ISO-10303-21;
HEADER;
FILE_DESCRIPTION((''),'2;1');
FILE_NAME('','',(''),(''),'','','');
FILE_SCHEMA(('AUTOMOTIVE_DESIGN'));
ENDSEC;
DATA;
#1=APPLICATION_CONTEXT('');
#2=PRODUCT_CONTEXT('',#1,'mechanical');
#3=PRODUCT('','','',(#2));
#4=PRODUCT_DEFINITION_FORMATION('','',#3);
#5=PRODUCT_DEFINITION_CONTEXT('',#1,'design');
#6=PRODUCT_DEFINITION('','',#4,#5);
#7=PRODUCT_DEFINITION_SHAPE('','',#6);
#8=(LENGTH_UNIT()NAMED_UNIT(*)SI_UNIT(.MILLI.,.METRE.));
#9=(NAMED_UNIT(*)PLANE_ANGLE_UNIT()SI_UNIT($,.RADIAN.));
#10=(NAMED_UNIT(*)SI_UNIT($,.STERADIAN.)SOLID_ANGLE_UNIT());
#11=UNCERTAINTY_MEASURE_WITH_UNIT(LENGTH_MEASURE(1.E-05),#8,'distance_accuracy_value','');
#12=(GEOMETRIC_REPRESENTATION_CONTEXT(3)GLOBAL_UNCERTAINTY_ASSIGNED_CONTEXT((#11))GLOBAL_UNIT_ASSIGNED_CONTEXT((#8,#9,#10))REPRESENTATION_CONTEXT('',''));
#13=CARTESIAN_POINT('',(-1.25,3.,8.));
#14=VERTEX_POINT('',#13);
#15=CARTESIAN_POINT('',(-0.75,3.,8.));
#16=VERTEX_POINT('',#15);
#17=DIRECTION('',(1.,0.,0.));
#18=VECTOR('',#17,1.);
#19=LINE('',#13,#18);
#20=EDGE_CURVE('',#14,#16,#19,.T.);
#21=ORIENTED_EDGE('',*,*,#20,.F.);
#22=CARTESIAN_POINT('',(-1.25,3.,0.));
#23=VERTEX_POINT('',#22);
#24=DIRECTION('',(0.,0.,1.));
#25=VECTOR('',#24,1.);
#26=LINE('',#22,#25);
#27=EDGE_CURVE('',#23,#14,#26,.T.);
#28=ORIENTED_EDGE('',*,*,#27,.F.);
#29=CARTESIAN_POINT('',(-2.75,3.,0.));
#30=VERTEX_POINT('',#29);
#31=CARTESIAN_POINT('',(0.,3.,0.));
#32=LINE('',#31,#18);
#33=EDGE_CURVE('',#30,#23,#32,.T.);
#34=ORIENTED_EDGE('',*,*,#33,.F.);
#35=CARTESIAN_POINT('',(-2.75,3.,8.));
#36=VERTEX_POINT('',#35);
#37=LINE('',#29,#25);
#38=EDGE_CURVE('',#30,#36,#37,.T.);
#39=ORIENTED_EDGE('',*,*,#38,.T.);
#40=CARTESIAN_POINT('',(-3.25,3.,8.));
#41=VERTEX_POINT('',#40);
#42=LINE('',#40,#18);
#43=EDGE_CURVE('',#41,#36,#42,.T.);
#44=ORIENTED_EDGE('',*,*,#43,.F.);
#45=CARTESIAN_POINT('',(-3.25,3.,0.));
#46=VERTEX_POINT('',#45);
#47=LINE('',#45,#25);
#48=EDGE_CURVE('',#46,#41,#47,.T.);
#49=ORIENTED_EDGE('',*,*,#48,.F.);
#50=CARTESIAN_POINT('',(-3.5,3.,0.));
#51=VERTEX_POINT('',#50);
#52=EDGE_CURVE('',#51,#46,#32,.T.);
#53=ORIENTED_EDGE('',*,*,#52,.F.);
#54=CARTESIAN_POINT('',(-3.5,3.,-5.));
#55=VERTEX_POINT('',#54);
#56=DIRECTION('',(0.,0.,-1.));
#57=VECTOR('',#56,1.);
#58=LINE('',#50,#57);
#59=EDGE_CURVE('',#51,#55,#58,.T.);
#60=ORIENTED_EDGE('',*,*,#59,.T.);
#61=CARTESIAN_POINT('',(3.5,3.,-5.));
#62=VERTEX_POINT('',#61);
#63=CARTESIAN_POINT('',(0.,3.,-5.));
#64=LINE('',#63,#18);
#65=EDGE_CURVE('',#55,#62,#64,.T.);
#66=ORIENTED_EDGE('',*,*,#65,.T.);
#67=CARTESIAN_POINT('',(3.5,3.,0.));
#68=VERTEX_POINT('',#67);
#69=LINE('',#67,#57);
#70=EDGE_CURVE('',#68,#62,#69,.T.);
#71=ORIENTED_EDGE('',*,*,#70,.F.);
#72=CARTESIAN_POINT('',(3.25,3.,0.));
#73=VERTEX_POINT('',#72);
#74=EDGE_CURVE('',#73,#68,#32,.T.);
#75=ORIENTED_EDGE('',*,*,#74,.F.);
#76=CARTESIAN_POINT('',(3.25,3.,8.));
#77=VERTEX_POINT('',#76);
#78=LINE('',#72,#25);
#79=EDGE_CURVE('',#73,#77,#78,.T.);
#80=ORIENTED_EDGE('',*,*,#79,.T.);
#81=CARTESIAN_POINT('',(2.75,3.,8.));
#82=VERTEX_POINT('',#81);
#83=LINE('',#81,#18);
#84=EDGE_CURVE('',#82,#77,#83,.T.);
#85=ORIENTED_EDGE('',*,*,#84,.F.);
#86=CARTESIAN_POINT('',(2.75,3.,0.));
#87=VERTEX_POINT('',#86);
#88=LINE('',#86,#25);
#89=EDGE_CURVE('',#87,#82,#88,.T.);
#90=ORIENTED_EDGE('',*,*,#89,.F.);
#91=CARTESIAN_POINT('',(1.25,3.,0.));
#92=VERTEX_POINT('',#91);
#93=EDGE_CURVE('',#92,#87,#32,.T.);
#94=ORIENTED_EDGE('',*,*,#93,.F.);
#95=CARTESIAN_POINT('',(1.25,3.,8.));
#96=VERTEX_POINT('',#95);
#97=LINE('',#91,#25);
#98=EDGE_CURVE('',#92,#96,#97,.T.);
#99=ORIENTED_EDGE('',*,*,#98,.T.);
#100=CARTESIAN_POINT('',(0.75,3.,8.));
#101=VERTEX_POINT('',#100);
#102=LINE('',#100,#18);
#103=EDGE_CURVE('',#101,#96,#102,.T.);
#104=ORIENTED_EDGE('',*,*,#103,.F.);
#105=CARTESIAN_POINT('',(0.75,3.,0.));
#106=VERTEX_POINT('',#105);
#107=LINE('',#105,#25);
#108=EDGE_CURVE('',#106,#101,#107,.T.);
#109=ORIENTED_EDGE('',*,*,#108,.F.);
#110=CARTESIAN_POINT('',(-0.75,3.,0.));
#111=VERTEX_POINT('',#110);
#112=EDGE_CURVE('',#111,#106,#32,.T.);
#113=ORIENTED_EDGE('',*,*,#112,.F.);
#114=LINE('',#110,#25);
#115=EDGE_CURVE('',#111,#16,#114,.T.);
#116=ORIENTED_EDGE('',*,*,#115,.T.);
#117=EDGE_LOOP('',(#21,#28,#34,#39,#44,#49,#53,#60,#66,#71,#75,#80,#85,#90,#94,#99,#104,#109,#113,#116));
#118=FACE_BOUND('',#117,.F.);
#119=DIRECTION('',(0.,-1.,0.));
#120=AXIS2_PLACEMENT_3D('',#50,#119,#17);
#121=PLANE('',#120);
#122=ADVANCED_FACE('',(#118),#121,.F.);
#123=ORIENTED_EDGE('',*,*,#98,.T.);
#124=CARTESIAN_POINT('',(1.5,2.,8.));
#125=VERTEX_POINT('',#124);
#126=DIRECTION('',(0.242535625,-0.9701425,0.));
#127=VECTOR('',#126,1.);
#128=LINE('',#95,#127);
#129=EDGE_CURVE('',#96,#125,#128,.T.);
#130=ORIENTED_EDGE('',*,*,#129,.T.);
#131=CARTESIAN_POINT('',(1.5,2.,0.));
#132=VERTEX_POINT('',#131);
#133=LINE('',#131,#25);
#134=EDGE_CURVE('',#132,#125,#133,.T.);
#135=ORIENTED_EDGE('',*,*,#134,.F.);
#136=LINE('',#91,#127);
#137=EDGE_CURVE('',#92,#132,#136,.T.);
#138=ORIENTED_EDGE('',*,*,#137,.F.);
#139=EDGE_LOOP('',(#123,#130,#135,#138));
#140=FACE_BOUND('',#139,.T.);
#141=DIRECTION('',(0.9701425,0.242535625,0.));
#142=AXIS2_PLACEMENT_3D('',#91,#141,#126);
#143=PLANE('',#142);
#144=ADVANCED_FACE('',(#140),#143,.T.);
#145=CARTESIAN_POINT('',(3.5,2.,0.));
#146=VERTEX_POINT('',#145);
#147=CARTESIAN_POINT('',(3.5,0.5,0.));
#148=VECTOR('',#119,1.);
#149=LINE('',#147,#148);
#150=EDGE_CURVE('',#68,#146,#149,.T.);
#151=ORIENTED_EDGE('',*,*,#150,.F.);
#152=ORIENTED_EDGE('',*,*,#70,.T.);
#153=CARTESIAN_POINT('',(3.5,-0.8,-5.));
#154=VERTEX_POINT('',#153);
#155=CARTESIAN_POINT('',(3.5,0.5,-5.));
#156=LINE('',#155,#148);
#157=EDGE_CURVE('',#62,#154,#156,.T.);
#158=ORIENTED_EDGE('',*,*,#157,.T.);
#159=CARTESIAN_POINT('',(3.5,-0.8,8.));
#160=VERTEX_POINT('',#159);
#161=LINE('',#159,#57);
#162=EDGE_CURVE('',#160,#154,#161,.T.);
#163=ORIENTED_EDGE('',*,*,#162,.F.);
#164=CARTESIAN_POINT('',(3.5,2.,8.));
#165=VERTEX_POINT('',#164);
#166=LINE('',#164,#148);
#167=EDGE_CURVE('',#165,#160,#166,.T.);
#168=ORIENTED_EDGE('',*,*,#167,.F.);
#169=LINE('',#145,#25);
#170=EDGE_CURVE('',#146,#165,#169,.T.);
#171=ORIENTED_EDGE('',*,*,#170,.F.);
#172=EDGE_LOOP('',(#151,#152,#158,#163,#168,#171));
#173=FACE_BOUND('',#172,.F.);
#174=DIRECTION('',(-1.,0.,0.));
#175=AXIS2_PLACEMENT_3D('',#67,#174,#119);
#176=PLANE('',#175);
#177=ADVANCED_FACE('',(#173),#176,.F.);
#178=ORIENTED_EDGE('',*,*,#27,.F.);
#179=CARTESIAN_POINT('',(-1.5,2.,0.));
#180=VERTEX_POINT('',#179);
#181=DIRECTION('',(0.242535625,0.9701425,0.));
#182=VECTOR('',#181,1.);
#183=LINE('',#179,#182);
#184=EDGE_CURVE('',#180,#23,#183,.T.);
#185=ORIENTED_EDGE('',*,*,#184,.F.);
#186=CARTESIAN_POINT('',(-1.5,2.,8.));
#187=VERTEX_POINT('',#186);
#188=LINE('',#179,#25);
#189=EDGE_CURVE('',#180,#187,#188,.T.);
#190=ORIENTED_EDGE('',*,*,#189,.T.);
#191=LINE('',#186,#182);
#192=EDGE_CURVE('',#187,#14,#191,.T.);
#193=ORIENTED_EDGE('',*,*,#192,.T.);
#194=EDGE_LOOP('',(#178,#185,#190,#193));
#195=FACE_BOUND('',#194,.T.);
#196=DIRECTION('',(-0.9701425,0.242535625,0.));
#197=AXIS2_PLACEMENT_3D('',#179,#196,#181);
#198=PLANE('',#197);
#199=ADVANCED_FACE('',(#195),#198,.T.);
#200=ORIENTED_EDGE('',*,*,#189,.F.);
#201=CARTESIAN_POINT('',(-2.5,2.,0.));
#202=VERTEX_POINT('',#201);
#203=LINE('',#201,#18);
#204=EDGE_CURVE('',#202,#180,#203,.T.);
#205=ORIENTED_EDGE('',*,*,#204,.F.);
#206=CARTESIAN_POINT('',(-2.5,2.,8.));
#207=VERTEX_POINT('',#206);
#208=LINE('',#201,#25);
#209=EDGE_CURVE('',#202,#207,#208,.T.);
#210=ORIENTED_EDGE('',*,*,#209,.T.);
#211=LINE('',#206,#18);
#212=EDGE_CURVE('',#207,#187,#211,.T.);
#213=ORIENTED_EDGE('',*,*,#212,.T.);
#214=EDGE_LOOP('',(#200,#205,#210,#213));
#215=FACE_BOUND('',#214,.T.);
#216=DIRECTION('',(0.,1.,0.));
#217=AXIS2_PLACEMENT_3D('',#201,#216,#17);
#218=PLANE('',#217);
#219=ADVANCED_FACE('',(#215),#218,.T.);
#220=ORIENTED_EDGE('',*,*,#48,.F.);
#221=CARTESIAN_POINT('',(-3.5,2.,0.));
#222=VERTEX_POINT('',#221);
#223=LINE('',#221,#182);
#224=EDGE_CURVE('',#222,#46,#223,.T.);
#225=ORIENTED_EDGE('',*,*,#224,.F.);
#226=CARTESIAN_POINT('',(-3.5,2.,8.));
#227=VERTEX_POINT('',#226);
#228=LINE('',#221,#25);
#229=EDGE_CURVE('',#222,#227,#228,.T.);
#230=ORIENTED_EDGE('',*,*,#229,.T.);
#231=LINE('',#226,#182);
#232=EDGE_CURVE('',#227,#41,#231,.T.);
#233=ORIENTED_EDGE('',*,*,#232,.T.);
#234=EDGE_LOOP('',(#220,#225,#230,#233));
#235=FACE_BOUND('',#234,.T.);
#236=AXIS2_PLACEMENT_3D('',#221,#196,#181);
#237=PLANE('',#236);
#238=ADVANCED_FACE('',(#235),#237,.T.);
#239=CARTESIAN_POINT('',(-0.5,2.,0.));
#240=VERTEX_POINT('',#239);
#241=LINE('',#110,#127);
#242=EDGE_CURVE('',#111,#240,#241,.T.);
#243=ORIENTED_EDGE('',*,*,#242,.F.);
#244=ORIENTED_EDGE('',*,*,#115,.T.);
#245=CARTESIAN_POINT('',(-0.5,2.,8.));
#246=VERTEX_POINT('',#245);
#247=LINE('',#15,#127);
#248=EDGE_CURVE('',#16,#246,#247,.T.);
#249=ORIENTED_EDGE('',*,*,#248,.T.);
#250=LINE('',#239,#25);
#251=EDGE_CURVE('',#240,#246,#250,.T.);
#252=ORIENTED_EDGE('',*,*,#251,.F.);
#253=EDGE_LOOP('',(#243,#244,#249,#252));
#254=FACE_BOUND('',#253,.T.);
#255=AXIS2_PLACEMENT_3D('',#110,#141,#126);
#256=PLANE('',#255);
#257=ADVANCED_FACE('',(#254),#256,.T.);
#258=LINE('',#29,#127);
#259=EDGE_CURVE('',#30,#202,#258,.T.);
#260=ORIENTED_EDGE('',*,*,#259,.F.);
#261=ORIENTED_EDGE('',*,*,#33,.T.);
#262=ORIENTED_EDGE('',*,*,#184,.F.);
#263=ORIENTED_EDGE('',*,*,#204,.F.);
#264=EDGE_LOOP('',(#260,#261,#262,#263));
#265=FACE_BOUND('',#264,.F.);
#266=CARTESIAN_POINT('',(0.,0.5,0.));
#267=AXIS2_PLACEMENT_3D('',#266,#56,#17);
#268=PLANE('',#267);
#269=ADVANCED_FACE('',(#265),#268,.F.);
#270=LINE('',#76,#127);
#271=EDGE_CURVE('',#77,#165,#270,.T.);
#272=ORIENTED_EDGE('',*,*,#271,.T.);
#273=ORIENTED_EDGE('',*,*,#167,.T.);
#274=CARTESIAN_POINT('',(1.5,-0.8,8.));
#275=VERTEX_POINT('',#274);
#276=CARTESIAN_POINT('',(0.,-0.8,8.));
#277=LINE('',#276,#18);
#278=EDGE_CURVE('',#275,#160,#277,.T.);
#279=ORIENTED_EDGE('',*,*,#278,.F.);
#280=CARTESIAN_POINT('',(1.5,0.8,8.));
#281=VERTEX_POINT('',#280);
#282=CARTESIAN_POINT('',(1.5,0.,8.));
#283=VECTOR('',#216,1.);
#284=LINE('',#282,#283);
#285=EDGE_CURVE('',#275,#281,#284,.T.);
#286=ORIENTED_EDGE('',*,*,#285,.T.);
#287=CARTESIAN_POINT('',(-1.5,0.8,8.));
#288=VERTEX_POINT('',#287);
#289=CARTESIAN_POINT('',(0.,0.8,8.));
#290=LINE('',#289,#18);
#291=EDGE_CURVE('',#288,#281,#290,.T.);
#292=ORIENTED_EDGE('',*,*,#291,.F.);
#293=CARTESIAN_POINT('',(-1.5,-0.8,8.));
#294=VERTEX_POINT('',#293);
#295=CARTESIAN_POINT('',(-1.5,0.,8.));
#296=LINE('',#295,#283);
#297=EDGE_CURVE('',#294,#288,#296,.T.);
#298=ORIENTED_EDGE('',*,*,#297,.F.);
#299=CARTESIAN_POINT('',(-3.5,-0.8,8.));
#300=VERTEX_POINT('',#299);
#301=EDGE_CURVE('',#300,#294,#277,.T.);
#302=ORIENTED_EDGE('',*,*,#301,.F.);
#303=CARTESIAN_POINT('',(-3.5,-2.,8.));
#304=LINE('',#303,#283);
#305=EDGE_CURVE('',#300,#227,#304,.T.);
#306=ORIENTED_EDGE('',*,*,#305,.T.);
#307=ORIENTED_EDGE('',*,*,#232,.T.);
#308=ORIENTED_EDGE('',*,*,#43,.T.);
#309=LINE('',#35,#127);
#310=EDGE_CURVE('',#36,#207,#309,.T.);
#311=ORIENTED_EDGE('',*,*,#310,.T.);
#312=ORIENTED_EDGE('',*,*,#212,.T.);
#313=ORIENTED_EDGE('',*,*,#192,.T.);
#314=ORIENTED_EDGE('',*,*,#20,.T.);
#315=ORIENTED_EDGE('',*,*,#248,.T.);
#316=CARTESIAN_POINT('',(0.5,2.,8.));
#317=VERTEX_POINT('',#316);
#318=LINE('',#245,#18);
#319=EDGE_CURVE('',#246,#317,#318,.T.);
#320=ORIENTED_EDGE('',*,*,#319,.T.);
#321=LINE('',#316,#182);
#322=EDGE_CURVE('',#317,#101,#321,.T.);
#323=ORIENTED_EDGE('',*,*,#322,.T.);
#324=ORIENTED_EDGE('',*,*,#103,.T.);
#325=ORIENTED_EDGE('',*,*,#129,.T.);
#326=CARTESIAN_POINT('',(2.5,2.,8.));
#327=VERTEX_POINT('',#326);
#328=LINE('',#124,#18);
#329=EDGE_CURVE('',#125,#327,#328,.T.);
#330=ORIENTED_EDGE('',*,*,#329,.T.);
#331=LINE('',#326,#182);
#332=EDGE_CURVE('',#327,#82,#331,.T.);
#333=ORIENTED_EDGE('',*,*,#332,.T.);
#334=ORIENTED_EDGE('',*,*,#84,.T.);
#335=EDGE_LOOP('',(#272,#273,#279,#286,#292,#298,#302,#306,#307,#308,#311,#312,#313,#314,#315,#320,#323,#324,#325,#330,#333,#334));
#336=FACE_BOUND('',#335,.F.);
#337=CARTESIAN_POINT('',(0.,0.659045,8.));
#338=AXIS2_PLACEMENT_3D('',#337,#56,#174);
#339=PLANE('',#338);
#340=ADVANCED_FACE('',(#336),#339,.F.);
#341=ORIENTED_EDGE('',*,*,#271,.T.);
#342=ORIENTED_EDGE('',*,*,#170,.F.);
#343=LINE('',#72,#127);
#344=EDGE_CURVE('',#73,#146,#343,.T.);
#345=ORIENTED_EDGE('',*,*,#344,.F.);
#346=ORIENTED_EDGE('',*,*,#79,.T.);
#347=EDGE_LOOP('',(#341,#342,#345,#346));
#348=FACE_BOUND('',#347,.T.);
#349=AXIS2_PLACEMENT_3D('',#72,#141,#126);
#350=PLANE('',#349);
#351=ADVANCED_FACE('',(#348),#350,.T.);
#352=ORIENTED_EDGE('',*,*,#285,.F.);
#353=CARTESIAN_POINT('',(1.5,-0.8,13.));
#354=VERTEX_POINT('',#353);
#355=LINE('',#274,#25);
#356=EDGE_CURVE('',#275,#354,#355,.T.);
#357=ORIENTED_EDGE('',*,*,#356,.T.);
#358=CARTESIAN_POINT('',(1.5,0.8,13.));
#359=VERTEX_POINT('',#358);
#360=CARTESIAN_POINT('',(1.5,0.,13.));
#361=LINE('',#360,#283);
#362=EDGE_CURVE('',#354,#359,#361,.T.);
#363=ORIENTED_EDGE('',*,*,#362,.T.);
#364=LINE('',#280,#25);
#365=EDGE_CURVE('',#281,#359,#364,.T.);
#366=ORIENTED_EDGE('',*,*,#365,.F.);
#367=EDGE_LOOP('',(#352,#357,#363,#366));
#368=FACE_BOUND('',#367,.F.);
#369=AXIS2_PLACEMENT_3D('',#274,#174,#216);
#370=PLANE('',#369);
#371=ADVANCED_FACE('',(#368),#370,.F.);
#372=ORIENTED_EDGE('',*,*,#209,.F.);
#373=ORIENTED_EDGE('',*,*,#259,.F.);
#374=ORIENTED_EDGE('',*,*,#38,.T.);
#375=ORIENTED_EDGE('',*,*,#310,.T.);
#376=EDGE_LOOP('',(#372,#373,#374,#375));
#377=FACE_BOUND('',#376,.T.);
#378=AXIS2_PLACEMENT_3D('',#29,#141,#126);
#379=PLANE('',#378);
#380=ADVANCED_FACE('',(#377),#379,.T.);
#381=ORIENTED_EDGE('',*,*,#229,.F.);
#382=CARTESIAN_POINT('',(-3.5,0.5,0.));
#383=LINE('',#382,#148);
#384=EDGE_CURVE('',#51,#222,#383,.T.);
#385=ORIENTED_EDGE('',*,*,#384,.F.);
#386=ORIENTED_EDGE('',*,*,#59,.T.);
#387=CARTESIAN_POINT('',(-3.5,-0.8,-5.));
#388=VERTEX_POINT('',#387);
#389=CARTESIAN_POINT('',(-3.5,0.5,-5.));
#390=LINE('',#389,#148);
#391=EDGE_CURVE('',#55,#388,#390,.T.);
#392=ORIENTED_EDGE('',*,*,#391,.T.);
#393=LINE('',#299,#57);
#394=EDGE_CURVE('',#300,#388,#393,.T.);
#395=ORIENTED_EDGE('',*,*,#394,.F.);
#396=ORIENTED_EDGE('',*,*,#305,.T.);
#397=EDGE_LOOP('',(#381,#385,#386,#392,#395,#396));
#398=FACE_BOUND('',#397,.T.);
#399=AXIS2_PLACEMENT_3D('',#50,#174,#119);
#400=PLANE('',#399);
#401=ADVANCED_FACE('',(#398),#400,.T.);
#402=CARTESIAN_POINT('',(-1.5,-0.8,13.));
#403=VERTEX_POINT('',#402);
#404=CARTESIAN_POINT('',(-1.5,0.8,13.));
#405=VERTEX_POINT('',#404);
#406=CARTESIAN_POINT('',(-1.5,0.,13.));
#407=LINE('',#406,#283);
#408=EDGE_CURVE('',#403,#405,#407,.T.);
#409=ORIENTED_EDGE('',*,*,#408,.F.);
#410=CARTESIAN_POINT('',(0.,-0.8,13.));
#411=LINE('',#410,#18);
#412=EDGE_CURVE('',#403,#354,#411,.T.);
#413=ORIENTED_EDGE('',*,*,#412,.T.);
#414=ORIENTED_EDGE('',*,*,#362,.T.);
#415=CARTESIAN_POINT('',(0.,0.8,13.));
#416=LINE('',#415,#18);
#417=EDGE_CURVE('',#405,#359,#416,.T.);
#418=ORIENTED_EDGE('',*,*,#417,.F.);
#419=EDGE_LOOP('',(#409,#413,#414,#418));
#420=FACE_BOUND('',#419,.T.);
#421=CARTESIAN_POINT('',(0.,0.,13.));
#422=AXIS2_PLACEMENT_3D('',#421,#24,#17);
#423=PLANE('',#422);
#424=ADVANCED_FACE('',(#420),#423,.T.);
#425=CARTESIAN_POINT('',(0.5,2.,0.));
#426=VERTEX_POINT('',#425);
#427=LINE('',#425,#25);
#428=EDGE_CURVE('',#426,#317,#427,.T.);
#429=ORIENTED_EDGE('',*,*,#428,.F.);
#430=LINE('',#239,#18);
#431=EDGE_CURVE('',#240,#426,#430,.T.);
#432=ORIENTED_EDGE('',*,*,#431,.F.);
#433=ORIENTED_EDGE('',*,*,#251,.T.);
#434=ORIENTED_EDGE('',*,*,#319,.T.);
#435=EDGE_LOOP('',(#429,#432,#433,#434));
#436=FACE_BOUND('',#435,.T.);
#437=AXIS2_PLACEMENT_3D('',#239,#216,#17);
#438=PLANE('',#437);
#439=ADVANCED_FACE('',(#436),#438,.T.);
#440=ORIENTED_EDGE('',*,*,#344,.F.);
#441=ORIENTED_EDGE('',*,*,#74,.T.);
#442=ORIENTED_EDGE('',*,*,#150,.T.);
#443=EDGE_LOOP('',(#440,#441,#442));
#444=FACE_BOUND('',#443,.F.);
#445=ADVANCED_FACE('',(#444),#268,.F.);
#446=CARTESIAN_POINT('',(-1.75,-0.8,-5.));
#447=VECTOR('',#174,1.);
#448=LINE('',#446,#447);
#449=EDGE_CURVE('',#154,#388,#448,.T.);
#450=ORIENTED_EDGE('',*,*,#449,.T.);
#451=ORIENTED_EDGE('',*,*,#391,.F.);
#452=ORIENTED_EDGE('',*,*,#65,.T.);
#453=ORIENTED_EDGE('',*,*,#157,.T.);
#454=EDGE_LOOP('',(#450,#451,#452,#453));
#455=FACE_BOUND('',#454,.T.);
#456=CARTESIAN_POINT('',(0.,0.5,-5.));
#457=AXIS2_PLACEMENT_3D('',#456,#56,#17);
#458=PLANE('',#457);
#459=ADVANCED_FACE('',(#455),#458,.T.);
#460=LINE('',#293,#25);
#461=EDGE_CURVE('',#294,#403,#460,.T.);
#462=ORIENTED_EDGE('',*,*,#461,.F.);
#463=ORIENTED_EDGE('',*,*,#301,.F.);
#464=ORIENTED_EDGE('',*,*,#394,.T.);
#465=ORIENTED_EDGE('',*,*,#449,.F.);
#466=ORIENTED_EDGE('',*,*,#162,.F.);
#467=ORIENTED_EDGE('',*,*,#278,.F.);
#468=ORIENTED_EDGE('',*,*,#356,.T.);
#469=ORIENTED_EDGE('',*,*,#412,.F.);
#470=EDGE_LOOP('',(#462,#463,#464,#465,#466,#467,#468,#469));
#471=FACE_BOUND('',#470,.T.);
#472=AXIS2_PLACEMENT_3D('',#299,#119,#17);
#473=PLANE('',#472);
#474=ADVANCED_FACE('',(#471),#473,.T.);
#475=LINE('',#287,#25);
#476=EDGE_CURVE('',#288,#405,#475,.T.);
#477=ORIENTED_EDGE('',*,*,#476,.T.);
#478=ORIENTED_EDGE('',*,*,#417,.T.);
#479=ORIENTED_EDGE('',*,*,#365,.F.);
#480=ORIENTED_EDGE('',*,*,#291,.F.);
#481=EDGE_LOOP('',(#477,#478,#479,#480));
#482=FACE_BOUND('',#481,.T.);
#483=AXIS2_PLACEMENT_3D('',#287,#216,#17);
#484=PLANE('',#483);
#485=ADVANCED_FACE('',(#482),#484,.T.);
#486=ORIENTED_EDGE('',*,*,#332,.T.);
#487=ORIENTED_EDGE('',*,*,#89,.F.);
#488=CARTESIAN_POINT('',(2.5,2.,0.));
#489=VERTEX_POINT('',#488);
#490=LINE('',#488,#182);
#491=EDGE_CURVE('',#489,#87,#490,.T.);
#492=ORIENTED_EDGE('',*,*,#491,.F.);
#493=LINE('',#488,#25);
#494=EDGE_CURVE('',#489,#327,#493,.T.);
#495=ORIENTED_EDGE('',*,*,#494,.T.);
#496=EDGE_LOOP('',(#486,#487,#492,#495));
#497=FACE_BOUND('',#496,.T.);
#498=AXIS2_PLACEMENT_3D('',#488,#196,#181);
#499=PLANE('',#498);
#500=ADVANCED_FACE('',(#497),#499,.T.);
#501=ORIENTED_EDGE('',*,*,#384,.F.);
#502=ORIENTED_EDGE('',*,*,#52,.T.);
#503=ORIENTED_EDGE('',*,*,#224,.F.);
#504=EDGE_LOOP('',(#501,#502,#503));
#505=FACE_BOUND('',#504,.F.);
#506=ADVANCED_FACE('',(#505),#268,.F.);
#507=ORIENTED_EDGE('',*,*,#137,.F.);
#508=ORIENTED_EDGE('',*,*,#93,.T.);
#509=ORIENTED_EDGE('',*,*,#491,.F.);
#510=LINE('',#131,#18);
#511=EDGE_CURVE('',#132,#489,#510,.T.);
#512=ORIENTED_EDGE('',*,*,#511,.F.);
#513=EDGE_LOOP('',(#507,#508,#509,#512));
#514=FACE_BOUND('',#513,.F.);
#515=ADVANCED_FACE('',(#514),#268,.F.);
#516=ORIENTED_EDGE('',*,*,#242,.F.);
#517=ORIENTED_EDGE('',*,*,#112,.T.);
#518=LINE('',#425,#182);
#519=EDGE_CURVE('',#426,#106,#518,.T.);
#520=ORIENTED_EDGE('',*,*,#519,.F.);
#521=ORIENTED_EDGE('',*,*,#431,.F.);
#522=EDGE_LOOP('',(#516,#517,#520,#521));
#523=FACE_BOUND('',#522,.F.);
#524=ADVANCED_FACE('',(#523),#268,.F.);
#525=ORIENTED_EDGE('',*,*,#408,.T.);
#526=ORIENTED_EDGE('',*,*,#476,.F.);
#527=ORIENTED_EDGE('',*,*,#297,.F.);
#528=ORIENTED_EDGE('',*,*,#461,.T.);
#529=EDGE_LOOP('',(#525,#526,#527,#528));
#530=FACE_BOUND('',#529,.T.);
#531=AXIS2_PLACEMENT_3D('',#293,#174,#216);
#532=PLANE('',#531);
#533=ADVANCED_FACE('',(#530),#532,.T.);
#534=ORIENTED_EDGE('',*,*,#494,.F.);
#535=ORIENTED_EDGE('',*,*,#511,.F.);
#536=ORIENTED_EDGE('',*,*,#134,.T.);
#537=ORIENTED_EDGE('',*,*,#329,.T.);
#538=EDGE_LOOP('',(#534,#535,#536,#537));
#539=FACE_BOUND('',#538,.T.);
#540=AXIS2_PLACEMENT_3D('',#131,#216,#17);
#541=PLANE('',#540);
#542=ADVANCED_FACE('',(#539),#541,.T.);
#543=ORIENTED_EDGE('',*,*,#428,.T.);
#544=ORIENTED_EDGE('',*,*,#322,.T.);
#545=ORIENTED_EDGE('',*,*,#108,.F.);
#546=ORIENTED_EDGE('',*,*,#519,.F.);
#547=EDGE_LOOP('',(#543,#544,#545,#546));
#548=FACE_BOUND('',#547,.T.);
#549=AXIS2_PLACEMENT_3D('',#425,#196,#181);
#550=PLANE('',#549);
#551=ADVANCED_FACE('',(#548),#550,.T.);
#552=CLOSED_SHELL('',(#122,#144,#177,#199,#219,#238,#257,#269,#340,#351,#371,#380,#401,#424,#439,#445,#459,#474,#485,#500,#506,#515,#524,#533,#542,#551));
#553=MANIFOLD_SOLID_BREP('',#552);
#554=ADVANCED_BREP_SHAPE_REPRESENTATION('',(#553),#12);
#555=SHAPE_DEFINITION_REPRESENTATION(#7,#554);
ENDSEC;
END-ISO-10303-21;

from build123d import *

# Parameters (mm, degrees)
PAD_DEPTH    = 8
SKETCH001_W  = 7
SKETCH001_H  = 5
PAD001_DEPTH = 5
SKETCH002_W  = 3
SKETCH002_H  = 1.6
PAD002_DEPTH = 5
SKETCH003_W  = 7
SKETCH003_H  = 1.2
POCKET_DEPTH = 13.001


with BuildPart() as part:
    # Sketch → Pad (new body)
    with BuildSketch(Plane.XY):
        Polygon((-3.5, 2), (-3.25, 3), (-2.75, 3), (-2.5, 2), (-1.5, 2), (-1.25, 3), (-0.75, 3), (-0.5, 2), (0.5, 2), (0.75, 3), (1.25, 3), (1.5, 2), (2.5, 2), (2.75, 3), (3.25, 3), (3.5, 2), (3.5, -2), (-3.5, -2), align=None)
    extrude(amount=PAD_DEPTH)

    # Sketch001 → Pad001 (new body)
    with BuildSketch(Plane(origin=(0, 0, 0), x_dir=(1, 0, 0), z_dir=(0, 0, -1))):
        with Locations((0, -0.5)):
            Rectangle(SKETCH001_W, SKETCH001_H)
    extrude(amount=PAD001_DEPTH)

    # Sketch002 → Pad002 (new body)
    with BuildSketch(Plane.XY.offset(8)):
        Rectangle(SKETCH002_W, SKETCH002_H)
    extrude(amount=PAD002_DEPTH)

    # Sketch003 → Pocket (cut, through all)
    with BuildSketch(Plane.XY.offset(8)):
        with Locations((0, -1.4)):
            Rectangle(SKETCH003_W, SKETCH003_H)
    extrude(amount=-POCKET_DEPTH, mode=Mode.SUBTRACT)


solid = part.part
